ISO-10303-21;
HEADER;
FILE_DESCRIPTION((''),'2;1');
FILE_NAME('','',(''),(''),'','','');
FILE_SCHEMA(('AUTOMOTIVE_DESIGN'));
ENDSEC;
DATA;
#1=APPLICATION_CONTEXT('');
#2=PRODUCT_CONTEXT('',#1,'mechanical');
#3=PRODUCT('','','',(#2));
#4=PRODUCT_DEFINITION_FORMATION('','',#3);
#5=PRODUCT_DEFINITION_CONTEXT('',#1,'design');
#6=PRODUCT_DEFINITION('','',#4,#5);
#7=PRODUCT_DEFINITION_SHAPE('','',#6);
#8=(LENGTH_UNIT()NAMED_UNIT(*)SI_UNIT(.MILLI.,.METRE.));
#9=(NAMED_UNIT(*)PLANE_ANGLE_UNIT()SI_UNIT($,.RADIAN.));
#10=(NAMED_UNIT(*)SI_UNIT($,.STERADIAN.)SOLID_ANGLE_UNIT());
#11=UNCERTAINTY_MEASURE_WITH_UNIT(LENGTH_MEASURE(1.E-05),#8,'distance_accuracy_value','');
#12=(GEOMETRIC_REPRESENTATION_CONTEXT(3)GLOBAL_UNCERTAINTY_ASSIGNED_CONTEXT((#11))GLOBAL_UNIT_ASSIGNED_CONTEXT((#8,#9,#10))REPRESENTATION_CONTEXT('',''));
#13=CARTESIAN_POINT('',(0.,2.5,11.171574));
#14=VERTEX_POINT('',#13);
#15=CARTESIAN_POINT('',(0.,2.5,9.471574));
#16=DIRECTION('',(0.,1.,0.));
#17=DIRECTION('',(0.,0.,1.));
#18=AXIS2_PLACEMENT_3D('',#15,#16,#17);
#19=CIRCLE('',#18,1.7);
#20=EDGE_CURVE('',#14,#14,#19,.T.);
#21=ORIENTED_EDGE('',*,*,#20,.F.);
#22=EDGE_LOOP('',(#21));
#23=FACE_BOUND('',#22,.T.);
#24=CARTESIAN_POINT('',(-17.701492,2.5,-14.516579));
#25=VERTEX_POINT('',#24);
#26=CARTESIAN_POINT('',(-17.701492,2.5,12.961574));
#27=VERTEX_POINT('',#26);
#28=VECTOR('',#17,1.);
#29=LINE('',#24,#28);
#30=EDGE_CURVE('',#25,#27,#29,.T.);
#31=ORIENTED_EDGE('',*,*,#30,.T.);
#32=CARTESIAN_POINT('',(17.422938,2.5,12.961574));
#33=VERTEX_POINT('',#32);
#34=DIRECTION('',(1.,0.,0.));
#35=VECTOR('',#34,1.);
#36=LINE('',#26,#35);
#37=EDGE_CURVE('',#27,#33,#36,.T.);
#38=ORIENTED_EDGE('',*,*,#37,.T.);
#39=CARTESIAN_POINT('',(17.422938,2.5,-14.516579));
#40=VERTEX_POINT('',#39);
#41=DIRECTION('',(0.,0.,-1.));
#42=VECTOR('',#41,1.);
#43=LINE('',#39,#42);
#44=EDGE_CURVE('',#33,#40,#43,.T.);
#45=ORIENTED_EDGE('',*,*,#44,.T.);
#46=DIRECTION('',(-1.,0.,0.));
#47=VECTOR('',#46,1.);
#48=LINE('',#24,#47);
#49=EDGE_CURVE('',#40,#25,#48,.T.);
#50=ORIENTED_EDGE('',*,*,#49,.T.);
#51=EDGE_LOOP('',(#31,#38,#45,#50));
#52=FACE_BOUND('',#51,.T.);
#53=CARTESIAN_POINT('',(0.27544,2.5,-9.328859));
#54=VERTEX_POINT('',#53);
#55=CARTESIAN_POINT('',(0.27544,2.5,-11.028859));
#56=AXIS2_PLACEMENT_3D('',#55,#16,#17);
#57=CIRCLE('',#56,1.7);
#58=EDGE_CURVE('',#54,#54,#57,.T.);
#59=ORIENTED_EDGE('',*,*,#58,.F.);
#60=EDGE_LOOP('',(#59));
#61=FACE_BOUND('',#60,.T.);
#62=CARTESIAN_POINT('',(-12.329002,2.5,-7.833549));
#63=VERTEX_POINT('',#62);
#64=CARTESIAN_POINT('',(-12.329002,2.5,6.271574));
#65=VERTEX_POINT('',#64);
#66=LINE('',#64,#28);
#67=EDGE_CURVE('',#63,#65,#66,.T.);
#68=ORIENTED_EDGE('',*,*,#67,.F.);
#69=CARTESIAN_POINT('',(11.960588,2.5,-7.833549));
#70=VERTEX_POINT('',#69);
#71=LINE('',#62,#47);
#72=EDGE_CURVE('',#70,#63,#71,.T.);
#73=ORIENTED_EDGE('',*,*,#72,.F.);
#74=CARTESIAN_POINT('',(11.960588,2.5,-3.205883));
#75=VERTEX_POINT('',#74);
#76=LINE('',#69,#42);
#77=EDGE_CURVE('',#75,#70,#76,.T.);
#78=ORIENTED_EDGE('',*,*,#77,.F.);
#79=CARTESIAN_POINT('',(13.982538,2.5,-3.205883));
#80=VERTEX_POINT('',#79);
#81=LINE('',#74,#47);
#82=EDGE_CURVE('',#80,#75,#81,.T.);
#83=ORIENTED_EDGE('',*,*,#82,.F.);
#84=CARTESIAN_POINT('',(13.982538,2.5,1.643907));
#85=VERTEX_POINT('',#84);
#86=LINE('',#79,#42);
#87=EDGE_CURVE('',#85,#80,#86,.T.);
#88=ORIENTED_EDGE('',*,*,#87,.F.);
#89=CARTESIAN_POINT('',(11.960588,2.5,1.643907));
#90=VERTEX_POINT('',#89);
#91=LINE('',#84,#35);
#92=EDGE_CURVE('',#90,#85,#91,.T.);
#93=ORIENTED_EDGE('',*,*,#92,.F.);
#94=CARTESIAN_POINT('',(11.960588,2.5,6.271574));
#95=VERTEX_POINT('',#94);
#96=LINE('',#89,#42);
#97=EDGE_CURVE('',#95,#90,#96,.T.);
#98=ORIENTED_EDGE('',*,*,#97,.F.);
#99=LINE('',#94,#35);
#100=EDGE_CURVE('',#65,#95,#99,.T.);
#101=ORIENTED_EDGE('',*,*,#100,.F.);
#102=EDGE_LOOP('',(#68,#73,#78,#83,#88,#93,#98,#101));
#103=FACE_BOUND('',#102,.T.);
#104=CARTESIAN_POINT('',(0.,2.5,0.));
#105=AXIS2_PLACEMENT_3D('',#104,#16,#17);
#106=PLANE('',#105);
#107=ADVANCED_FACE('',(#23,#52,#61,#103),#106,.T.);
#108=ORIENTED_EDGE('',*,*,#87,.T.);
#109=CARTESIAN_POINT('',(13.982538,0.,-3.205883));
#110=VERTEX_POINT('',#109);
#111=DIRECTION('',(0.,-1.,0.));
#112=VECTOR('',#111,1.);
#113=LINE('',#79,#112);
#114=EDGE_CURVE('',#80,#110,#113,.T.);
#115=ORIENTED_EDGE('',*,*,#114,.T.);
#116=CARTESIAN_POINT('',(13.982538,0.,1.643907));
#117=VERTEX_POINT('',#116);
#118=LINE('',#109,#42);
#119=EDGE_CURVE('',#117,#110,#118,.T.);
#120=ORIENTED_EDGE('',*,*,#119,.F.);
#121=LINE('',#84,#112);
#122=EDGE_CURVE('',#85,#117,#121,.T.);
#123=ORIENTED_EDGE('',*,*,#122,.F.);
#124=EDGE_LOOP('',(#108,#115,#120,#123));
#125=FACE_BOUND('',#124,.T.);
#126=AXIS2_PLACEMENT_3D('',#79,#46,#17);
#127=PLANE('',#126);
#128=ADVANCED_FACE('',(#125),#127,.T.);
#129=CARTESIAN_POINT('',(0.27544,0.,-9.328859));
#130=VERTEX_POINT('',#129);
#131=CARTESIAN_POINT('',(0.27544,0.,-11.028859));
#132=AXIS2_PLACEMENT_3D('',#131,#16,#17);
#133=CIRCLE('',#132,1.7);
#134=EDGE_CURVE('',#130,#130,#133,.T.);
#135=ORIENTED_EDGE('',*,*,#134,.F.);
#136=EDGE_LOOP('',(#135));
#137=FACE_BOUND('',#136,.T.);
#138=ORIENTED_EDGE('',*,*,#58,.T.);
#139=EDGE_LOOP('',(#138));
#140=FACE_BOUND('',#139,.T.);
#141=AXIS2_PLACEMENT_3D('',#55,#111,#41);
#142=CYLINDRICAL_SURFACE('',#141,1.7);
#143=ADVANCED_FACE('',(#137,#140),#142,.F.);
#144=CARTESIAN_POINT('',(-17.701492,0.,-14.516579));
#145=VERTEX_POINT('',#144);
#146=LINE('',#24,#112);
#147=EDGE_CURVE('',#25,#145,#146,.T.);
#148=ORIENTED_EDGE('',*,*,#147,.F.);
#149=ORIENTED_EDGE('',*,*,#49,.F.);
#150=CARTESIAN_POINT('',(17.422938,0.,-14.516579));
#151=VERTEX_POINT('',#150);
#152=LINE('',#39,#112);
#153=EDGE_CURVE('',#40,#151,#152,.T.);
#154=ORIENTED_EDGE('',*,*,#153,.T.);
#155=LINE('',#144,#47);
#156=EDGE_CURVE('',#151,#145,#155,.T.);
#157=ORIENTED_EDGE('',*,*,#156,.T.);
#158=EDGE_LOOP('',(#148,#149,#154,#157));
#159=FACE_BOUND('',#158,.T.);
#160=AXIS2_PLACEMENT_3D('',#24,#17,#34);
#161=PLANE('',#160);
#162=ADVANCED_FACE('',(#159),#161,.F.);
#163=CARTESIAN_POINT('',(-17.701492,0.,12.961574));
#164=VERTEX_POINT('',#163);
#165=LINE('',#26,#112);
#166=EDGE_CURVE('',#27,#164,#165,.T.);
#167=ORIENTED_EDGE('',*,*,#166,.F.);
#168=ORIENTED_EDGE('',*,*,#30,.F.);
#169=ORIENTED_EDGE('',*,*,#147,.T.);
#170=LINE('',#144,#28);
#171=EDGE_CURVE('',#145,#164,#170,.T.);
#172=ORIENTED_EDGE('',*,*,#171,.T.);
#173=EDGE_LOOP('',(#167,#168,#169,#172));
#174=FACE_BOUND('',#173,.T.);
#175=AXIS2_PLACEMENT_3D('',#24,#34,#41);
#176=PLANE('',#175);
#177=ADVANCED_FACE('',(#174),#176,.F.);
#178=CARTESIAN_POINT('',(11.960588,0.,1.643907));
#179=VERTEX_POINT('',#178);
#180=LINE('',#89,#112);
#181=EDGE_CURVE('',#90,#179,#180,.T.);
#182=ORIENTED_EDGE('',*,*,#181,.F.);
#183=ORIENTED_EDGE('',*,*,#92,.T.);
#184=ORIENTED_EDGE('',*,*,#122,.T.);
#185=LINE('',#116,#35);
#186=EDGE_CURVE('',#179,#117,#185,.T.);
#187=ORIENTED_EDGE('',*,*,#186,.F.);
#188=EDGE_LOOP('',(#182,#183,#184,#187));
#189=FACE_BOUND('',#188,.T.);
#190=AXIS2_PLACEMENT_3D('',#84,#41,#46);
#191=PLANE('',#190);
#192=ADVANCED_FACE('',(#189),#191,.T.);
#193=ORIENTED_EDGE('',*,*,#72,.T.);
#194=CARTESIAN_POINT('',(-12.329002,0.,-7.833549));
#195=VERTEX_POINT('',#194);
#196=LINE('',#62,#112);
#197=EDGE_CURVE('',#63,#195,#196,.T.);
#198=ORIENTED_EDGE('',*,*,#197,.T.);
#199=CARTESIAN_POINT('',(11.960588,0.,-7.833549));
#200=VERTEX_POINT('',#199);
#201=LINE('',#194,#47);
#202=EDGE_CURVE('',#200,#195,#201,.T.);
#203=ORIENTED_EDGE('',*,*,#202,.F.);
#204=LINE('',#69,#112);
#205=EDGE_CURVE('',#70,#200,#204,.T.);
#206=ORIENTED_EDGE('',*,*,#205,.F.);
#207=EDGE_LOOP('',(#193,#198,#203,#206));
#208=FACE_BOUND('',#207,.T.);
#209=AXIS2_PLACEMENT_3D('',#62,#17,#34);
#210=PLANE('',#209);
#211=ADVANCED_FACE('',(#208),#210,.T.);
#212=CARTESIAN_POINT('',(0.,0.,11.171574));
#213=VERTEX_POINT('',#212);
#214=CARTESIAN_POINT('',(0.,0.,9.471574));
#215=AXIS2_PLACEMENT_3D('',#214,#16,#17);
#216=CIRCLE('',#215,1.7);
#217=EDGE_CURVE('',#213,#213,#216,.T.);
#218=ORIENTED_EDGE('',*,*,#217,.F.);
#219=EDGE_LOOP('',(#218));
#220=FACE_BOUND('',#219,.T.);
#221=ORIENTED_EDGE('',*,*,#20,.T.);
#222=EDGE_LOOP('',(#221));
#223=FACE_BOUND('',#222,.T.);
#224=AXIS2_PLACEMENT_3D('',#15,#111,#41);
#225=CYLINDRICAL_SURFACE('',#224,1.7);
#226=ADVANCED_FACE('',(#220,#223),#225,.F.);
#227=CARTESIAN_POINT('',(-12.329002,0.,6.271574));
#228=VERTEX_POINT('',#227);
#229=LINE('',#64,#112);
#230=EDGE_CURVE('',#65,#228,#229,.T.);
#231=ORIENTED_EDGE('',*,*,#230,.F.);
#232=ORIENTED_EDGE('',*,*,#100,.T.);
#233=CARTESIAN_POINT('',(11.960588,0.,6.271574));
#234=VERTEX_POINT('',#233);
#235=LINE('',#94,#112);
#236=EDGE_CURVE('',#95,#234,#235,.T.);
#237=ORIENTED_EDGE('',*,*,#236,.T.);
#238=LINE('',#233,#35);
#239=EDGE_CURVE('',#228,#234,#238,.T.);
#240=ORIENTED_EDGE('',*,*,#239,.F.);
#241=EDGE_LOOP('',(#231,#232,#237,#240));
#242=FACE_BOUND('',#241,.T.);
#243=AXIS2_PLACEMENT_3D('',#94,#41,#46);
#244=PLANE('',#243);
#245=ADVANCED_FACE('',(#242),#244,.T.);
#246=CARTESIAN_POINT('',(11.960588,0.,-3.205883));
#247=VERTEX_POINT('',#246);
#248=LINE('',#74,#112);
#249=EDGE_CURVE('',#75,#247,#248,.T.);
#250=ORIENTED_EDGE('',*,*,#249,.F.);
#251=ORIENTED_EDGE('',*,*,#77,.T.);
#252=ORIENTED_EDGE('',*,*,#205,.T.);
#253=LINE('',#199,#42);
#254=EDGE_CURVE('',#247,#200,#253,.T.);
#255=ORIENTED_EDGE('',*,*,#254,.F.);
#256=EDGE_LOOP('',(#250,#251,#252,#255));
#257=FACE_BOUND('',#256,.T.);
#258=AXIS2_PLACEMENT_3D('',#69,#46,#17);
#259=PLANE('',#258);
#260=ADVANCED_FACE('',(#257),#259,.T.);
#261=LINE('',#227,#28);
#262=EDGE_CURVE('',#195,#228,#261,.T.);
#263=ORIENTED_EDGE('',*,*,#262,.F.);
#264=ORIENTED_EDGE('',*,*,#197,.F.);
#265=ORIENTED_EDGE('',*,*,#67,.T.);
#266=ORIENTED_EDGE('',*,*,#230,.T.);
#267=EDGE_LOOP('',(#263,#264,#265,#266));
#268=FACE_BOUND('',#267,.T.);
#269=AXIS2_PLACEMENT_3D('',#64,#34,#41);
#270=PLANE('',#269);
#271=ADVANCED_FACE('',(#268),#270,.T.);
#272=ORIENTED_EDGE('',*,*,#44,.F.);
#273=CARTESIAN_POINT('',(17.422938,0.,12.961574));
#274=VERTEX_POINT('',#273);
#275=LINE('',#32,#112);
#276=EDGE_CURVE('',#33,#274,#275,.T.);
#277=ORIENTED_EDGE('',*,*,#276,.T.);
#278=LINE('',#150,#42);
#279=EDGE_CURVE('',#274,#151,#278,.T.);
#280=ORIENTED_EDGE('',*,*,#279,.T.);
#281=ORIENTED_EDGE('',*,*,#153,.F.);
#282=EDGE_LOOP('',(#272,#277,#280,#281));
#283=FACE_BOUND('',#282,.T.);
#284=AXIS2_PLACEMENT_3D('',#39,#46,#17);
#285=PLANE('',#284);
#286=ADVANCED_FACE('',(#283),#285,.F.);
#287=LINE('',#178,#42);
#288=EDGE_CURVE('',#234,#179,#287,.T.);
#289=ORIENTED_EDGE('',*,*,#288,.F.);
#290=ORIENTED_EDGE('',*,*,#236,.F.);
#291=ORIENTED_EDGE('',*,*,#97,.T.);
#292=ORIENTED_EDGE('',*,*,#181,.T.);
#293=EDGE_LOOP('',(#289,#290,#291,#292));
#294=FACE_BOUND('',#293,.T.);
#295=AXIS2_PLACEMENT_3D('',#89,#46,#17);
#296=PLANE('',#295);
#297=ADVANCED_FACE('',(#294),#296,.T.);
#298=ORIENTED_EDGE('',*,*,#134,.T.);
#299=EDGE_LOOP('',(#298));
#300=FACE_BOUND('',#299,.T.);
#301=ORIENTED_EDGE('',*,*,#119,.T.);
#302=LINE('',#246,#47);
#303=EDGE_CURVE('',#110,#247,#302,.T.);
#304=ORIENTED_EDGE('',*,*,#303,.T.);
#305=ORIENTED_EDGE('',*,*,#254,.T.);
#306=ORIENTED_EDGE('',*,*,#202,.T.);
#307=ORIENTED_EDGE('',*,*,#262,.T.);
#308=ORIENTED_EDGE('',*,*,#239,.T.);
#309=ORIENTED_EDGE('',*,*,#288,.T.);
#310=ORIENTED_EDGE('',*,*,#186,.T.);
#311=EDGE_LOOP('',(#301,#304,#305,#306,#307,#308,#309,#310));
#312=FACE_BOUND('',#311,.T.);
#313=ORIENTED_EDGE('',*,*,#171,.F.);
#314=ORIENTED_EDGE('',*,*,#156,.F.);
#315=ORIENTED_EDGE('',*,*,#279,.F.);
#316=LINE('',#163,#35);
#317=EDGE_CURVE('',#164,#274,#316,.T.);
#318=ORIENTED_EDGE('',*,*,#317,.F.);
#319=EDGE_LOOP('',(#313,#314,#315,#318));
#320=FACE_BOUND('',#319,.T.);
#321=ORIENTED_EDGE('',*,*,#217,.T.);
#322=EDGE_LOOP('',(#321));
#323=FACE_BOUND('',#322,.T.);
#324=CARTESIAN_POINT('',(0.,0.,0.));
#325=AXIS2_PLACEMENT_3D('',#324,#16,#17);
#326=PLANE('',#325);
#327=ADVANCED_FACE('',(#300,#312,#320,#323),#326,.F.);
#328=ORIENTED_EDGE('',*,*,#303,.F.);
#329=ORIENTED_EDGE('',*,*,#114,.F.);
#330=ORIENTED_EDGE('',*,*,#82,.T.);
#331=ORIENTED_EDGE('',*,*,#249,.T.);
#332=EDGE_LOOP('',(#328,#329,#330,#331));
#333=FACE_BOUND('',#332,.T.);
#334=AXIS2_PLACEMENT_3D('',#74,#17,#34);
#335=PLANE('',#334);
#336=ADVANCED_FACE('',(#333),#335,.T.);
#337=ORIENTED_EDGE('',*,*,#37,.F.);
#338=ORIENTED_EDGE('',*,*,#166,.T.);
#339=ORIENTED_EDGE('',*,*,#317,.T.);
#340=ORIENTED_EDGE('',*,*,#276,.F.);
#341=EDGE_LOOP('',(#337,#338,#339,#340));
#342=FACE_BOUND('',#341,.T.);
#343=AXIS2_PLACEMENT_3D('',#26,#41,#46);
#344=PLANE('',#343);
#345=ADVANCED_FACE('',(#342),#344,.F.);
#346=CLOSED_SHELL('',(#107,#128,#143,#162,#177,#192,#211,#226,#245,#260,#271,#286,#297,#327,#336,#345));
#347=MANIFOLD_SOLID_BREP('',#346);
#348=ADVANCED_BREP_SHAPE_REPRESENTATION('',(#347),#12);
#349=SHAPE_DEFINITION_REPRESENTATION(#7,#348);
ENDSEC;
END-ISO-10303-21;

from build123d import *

# Parameters (mm, degrees)
SKETCH2_W           = 35.12443
SKETCH2_H           = 27.47815276
SKETCH2_R           = 1.7
BOSS_EXTRUDE2_DEPTH = 2.5


with BuildPart() as part:
    # Sketch2 → Boss-Extrude2 (new body)
    with BuildSketch(Plane(origin=(0, 0, 0), x_dir=(1, 0, 0), z_dir=(0, 1, 0))):
        with Locations((-0.139276638, 0.7775026)):
            Rectangle(SKETCH2_W, SKETCH2_H)
        with Locations(Location((0.275439535, 11.02885898, 0), (0, 0, 270))):
            Circle(SKETCH2_R, mode=Mode.SUBTRACT)
        with Locations(Location((0, -9.47157378, 0), (0, 0, 270))):
            Circle(SKETCH2_R, mode=Mode.SUBTRACT)
        Polygon((-12.329001638, 7.83354898), (11.960588362, 7.83354898), (11.960588362, 3.2058826), (13.982538362, 3.2058826), (13.982538362, -1.6439074), (11.960588362, -1.6439074), (11.960588362, -6.27157378), (-12.329001638, -6.27157378), align=None, mode=Mode.SUBTRACT)
    extrude(amount=BOSS_EXTRUDE2_DEPTH)


solid = part.part
